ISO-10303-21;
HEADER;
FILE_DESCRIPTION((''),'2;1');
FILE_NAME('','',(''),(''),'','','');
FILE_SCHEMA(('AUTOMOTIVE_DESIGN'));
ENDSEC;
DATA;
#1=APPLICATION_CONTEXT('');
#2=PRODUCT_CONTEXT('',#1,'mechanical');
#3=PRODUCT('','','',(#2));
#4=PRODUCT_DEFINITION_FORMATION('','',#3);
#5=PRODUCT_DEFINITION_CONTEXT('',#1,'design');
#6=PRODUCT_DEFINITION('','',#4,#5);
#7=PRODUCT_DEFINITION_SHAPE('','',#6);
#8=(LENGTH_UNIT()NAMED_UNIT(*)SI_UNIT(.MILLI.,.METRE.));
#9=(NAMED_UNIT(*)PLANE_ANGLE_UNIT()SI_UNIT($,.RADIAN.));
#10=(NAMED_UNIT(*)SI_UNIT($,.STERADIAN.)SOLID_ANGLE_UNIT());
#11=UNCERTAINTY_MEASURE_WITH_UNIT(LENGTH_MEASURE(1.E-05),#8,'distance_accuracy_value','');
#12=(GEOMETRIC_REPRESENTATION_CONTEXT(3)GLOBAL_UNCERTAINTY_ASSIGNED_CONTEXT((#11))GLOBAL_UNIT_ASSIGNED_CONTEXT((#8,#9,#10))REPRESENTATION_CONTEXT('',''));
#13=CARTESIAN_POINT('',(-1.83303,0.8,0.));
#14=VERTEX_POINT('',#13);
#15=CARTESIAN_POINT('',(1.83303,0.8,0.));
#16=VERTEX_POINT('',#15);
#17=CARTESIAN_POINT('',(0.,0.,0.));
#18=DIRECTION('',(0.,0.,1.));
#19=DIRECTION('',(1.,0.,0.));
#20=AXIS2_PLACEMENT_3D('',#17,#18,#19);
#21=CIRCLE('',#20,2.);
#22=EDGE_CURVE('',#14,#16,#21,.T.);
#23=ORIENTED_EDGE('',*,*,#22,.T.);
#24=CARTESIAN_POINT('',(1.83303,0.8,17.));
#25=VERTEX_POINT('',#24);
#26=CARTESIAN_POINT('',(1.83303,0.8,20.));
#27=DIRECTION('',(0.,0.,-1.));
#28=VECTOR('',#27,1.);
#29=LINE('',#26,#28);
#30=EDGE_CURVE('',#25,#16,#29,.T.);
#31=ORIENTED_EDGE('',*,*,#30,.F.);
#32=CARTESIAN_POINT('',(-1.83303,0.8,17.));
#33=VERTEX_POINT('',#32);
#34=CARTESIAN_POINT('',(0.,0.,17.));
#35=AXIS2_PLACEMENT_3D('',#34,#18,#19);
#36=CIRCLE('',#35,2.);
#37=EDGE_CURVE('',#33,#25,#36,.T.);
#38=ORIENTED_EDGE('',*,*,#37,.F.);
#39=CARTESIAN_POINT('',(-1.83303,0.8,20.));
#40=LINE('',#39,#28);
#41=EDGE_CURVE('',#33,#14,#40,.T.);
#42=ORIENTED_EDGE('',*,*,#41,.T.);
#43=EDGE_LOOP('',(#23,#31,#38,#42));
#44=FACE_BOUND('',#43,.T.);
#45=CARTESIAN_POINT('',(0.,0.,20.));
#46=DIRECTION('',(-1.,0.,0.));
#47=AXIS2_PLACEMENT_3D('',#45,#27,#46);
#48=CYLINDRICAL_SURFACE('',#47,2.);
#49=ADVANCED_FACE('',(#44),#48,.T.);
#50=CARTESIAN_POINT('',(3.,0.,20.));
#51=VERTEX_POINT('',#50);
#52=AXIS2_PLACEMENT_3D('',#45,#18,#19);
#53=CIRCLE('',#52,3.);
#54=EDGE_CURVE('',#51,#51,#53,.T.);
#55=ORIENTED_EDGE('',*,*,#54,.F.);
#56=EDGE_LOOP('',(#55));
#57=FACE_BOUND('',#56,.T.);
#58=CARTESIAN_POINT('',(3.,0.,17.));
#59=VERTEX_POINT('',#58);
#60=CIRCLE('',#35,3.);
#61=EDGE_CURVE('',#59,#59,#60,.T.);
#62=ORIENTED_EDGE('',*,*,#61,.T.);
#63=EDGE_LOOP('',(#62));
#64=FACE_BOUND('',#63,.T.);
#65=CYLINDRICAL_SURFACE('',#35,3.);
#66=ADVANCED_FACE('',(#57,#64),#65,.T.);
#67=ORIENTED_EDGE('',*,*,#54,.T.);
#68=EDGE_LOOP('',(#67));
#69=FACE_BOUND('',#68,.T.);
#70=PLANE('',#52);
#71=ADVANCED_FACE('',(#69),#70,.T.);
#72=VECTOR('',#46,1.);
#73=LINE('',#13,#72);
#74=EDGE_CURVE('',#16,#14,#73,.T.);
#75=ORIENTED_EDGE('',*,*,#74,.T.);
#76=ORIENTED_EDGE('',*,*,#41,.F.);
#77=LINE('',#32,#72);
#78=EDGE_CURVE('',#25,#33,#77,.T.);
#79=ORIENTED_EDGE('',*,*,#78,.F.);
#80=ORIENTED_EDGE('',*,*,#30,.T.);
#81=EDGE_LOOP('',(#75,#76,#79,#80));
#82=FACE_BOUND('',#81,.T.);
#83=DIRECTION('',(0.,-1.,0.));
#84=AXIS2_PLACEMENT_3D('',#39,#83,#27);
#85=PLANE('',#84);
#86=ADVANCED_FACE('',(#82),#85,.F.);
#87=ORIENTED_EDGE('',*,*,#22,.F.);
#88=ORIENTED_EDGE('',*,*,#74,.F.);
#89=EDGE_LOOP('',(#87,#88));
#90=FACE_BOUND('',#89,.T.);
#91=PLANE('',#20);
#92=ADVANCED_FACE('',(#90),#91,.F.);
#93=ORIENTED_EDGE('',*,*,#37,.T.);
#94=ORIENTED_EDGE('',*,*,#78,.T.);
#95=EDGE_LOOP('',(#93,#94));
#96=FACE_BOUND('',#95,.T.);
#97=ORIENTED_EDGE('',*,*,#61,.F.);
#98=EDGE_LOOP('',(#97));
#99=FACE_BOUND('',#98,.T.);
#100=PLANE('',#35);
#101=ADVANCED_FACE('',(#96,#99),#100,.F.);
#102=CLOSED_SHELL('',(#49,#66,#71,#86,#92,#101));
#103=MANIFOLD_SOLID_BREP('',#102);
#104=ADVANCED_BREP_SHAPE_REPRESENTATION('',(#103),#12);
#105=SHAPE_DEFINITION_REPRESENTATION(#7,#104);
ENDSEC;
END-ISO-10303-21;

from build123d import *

# Parameters (mm, degrees)
BOSS_EXTRUDE1_DEPTH = 20
SKETCH2_R           = 3
BOSS_EXTRUDE2_DEPTH = 3


with BuildPart() as part:
    # Sketch1 → Boss-Extrude1 (new body)
    with BuildSketch(Plane.XY):
        with BuildLine():
            Line((-1.833030278, 0.8), (1.833030278, 0.8))
            ThreePointArc((1.833030278, 0.8), (0, -2), (-1.833030278, 0.8))
        make_face()
    extrude(amount=BOSS_EXTRUDE1_DEPTH)

    # Sketch2 → Boss-Extrude2 (add)
    with BuildSketch(Plane.XY.offset(20)):
        Circle(SKETCH2_R)
    extrude(amount=-BOSS_EXTRUDE2_DEPTH)


solid = part.part
